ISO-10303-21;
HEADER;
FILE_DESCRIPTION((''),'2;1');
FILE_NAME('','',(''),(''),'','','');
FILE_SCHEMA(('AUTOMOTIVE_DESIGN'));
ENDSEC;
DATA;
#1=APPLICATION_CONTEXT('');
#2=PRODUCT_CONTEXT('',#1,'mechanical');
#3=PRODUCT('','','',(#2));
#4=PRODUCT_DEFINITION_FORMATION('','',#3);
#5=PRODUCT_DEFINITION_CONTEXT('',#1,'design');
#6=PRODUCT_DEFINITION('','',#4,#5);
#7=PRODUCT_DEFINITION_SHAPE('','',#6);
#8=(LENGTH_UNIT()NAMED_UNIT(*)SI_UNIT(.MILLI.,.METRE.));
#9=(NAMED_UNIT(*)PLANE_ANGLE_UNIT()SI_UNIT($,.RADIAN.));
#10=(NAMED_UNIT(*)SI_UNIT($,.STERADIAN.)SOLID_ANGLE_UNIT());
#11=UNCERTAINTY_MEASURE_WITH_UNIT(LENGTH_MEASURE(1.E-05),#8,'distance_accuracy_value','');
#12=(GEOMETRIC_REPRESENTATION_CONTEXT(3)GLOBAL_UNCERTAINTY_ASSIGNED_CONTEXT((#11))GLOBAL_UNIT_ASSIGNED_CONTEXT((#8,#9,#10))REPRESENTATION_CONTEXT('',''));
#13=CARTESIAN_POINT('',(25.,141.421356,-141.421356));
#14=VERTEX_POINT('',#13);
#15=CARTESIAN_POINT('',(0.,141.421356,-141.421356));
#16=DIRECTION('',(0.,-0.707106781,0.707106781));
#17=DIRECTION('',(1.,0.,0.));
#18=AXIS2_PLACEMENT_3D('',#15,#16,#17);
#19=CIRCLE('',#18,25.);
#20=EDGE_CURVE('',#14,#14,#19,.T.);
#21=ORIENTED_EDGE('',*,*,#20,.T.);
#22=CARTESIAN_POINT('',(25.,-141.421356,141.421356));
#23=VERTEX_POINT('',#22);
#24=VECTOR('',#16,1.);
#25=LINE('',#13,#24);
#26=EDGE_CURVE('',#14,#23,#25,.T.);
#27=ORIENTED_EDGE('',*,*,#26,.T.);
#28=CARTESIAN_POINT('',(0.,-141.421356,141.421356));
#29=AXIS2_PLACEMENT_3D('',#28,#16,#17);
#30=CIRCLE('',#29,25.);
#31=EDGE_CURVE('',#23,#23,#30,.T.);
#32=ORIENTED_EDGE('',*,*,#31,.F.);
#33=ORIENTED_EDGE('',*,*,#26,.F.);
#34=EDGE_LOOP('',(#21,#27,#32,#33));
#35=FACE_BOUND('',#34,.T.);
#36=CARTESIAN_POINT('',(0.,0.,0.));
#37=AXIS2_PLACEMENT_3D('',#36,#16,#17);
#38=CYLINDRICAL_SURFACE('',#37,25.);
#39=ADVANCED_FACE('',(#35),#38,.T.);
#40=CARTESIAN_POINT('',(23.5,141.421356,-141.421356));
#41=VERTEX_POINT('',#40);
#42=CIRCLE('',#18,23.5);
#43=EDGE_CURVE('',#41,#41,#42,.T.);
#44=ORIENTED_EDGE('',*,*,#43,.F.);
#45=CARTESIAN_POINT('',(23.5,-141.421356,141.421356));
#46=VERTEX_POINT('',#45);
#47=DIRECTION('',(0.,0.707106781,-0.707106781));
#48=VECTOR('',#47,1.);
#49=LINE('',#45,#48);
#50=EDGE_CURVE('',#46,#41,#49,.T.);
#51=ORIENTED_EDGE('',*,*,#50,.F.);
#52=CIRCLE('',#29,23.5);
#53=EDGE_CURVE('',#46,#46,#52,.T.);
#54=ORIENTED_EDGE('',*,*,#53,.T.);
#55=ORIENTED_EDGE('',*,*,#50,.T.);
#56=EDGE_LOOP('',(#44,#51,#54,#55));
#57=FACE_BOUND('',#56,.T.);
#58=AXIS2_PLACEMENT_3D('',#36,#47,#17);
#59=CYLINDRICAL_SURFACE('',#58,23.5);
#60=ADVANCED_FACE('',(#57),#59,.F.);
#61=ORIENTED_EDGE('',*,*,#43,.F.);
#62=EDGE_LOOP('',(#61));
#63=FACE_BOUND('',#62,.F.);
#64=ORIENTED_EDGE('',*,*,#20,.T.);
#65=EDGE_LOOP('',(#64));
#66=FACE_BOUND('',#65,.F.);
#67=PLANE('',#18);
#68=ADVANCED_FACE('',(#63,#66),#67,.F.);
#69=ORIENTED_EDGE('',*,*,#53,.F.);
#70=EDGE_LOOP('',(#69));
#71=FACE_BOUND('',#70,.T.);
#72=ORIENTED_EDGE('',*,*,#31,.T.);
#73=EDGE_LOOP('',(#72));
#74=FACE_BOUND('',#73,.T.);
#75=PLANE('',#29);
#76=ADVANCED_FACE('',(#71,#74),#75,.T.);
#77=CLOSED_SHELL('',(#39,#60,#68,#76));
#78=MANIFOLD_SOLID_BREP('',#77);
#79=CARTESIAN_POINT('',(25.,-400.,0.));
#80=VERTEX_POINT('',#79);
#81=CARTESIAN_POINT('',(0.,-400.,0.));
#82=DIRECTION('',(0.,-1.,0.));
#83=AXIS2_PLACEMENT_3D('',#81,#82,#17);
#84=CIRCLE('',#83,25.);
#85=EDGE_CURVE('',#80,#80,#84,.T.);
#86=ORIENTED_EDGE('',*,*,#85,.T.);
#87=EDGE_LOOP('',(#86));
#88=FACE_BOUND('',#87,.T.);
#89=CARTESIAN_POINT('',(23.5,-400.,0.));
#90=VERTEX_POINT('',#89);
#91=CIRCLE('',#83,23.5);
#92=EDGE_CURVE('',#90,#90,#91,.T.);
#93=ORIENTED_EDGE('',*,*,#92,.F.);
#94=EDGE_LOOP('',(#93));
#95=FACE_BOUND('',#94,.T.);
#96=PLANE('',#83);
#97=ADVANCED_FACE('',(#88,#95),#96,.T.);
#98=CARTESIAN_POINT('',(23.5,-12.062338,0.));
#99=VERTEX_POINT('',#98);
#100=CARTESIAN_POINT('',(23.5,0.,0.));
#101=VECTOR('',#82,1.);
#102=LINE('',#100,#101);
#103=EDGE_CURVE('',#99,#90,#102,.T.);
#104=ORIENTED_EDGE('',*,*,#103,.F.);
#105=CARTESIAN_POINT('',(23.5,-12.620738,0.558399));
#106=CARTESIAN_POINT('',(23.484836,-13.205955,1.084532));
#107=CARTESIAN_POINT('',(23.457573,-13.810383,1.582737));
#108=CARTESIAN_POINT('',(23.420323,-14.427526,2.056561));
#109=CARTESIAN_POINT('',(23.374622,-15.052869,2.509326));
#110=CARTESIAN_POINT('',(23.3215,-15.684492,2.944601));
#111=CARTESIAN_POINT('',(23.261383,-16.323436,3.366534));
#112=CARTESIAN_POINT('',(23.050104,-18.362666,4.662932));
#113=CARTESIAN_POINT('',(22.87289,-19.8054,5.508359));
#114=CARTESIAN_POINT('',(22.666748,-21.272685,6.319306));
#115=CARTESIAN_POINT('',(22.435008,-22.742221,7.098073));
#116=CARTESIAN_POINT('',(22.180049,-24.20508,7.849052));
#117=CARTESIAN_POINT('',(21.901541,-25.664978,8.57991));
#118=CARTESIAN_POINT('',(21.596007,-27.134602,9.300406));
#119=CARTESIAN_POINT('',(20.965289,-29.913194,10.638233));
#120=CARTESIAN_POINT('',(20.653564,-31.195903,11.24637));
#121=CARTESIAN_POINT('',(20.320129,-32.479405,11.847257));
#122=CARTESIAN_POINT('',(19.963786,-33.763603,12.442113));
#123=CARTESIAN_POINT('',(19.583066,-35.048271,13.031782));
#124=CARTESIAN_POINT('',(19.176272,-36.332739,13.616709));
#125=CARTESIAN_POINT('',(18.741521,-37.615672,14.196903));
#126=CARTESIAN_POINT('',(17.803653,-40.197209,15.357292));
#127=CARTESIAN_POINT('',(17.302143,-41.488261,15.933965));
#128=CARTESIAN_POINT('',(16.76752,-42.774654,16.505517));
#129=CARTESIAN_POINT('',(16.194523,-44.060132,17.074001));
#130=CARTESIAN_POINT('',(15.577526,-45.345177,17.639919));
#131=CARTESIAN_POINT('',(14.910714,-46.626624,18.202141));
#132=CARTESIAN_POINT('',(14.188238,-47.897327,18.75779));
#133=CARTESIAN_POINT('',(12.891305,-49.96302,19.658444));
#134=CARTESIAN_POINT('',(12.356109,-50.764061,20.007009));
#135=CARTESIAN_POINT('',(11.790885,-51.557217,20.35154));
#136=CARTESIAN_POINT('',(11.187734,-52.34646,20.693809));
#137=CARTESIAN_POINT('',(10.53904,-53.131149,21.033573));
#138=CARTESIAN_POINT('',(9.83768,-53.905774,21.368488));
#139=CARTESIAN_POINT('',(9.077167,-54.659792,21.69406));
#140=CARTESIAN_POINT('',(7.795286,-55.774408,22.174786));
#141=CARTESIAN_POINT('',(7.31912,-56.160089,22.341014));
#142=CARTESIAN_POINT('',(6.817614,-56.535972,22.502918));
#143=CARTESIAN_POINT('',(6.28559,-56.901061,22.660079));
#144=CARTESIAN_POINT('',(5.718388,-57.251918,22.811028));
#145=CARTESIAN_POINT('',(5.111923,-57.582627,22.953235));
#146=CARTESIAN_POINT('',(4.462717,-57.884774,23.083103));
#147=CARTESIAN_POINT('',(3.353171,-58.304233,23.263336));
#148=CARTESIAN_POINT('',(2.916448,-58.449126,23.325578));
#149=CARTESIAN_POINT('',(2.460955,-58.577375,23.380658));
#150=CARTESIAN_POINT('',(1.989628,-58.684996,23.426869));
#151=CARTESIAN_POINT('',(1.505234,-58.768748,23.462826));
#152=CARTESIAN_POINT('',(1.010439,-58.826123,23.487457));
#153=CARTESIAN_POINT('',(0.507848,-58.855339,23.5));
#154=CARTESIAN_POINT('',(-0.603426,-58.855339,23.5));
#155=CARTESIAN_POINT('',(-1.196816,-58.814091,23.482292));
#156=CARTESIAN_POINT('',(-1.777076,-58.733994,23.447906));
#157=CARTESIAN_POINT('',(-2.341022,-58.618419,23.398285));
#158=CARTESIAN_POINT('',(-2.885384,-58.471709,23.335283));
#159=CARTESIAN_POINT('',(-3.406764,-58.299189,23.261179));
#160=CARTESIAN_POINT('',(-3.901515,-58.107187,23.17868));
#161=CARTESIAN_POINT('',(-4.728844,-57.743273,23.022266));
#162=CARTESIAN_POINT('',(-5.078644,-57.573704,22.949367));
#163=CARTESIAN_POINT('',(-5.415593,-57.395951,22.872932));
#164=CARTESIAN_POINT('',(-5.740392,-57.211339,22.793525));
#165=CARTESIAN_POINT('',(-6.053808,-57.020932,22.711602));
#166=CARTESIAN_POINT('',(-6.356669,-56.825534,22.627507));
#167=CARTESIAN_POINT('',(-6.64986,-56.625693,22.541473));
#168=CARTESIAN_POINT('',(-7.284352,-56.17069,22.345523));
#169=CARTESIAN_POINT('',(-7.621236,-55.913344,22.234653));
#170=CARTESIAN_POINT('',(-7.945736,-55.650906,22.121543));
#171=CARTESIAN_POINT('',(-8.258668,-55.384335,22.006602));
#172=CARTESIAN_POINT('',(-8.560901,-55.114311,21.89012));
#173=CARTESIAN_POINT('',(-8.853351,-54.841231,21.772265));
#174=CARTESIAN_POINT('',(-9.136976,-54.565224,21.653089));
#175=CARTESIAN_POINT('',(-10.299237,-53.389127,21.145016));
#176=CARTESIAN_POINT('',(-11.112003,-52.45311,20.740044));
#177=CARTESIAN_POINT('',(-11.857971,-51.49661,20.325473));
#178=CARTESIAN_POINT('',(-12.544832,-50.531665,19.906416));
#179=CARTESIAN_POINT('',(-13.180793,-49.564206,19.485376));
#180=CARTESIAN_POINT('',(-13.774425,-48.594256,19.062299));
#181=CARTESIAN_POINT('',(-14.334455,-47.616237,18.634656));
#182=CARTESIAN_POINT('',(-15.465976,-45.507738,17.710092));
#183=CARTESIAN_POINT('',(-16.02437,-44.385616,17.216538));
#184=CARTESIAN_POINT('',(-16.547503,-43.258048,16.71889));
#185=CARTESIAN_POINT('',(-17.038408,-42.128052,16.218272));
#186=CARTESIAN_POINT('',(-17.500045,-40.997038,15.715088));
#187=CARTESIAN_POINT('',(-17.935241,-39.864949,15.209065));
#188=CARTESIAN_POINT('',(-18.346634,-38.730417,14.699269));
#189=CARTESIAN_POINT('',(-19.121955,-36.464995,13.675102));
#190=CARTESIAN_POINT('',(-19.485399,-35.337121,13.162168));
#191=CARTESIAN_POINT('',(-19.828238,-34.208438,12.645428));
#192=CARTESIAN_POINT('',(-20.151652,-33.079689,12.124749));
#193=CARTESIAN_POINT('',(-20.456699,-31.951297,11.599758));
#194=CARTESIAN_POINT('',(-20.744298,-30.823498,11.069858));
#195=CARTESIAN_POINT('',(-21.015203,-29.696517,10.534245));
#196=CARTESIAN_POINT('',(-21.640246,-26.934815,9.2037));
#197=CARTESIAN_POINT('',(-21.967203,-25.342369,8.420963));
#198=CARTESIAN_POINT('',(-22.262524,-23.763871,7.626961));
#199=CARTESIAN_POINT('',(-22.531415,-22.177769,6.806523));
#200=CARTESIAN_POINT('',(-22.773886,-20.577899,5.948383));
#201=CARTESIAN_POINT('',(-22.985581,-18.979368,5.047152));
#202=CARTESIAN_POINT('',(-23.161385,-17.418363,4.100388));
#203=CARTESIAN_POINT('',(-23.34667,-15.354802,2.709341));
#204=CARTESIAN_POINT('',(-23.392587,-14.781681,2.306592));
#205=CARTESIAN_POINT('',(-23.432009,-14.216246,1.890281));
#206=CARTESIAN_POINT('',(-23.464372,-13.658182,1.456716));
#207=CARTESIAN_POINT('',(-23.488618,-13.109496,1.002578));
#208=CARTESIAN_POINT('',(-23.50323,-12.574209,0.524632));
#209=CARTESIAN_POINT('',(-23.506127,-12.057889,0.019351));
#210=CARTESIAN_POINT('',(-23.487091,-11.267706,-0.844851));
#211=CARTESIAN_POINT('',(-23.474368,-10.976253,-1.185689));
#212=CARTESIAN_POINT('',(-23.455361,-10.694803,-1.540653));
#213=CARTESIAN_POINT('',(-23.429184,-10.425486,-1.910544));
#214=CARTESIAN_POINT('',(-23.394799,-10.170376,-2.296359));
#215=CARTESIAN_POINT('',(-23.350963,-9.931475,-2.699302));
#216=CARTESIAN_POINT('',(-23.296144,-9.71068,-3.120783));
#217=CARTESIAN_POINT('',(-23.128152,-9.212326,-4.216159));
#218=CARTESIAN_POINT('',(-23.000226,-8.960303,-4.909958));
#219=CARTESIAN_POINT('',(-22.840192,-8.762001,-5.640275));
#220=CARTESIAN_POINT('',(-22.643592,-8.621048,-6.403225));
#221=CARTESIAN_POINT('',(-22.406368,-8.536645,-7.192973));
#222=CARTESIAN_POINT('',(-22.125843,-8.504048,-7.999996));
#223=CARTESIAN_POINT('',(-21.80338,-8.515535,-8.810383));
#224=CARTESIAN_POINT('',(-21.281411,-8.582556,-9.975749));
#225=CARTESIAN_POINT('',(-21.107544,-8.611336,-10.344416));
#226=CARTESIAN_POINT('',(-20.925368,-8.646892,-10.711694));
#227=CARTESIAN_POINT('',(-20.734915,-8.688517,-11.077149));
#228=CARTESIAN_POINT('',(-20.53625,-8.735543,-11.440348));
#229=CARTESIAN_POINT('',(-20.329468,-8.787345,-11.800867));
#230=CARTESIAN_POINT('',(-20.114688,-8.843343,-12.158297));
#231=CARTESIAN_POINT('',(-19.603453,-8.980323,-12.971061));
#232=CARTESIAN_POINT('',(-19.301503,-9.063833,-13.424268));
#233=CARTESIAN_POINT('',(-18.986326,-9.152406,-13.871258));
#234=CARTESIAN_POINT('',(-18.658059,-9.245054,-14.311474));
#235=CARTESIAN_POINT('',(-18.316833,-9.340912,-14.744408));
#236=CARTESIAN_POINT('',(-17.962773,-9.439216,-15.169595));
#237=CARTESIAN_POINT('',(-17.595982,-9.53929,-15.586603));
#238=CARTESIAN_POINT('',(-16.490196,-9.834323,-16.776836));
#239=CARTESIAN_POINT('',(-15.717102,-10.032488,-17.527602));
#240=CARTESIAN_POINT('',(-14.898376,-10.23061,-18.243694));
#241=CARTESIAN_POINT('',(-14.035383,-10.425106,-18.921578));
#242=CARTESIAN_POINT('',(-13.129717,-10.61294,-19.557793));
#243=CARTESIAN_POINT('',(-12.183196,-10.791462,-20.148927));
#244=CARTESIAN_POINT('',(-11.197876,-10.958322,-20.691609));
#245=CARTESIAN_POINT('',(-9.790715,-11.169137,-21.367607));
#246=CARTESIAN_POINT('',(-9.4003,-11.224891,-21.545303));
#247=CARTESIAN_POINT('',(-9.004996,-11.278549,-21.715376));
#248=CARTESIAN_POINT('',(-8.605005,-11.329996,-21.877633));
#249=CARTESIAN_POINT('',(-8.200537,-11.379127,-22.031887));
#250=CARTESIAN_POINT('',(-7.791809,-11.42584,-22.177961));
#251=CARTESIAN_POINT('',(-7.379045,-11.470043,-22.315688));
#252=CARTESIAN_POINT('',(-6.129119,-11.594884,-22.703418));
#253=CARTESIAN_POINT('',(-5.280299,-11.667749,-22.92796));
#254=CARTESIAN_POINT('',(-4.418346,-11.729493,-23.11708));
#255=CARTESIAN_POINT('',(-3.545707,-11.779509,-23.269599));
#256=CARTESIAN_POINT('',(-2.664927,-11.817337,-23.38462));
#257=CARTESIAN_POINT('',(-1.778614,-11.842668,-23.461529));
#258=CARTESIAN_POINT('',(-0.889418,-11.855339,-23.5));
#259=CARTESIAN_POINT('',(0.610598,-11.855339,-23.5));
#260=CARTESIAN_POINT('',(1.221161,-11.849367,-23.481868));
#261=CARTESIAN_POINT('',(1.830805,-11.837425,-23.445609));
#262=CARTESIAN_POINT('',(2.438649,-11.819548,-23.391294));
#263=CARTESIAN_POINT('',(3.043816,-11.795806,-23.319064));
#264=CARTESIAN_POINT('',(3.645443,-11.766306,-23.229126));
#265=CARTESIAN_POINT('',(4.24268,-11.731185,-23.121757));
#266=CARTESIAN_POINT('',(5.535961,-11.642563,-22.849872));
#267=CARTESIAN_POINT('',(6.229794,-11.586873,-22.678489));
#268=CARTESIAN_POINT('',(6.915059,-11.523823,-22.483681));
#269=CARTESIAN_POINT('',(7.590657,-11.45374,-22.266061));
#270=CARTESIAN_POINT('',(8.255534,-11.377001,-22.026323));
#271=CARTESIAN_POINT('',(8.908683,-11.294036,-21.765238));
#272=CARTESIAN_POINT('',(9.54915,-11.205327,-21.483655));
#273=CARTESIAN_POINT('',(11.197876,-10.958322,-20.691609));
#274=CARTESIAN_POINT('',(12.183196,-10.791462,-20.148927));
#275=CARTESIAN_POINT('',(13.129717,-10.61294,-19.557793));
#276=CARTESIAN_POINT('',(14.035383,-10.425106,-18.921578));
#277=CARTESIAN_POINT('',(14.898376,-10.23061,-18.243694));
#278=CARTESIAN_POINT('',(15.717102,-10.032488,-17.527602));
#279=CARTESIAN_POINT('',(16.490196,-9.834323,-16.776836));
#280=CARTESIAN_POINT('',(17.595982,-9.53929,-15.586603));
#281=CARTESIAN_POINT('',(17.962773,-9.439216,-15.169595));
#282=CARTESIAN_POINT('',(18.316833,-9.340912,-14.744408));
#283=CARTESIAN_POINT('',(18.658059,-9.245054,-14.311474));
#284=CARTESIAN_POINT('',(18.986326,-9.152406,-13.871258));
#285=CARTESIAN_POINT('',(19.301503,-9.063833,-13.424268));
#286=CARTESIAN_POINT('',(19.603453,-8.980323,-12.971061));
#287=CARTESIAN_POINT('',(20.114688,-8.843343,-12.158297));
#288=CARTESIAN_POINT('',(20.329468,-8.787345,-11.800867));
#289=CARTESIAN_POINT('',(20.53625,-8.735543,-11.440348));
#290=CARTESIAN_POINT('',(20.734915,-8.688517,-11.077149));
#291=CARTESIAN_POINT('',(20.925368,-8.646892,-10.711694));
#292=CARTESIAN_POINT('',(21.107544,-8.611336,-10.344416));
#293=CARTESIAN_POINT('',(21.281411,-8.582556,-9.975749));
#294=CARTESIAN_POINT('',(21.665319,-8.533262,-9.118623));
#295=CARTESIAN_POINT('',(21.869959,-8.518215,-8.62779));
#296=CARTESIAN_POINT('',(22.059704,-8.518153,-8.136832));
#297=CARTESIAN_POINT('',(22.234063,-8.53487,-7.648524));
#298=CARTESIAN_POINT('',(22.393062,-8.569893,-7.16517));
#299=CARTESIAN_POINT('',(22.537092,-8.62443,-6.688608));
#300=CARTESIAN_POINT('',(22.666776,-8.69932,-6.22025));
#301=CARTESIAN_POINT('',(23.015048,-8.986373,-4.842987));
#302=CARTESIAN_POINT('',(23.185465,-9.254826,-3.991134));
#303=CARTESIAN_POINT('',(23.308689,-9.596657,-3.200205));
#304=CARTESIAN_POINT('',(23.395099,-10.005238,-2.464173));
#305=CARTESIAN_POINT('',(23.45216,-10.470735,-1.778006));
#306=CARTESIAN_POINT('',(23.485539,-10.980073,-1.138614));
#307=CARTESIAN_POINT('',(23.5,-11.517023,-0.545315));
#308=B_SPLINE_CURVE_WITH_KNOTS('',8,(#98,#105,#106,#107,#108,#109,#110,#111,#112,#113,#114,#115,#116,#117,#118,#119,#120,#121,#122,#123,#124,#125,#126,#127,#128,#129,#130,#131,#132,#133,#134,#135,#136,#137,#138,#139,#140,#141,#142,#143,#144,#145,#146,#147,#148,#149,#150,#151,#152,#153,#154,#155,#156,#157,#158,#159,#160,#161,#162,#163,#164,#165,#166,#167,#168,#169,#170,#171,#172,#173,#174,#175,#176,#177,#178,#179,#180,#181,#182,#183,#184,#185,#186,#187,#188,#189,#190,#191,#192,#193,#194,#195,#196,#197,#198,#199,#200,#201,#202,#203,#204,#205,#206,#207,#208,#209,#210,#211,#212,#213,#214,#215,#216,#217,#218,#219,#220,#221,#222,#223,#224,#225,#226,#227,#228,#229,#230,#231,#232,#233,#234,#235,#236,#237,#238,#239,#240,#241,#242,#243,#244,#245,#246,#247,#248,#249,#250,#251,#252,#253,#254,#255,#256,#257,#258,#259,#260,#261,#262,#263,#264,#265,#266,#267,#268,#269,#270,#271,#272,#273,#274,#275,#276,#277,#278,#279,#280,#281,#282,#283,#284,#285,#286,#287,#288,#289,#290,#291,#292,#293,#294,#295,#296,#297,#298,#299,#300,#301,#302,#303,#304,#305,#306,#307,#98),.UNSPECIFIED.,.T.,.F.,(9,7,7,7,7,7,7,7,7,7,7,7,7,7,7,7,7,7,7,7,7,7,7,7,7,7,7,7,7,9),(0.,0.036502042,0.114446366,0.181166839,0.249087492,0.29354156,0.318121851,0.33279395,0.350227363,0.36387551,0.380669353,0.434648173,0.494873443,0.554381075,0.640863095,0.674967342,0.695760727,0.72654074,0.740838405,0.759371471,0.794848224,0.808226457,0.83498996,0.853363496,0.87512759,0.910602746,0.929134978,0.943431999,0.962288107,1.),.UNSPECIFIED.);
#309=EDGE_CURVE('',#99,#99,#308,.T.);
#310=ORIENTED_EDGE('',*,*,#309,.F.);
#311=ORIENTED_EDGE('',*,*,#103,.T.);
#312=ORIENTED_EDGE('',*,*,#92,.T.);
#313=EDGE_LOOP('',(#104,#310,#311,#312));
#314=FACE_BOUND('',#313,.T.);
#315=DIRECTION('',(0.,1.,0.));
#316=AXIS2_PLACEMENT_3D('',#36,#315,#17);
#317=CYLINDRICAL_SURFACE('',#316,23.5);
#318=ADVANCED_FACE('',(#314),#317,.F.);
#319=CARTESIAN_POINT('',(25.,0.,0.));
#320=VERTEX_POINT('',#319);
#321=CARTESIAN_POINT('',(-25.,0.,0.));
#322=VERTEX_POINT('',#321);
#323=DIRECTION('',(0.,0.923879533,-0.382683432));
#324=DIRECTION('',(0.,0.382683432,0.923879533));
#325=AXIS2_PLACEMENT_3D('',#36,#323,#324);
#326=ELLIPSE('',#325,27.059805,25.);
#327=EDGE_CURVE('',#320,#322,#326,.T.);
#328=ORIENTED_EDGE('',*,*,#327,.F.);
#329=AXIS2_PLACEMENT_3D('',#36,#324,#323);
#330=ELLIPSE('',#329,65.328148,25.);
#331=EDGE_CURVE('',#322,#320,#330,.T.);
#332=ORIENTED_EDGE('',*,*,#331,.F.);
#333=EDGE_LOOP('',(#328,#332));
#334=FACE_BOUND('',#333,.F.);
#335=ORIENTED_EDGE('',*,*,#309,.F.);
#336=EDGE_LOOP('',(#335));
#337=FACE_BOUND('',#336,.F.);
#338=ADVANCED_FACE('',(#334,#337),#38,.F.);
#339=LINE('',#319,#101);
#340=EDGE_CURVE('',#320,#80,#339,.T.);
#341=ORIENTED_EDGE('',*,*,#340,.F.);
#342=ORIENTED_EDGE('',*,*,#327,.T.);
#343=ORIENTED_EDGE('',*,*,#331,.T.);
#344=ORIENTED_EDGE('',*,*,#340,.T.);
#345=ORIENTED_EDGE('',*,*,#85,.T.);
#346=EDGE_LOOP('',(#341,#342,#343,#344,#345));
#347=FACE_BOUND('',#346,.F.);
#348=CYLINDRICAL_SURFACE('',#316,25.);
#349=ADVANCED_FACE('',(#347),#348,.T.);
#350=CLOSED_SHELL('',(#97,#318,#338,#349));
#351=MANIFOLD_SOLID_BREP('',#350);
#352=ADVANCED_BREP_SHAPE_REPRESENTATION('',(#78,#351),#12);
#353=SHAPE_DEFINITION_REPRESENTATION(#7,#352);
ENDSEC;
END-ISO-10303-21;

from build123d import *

# Parameters (mm, degrees)
F0_R     = 25
F0_R_2   = 23.5
F1_DEPTH = 400
F3_R     = 25
F3_R_2   = 23.5
F4_DEPTH = 100
F5_DEPTH = 200


with BuildPart() as f1:
    # F0 (on Front) → F1 (new body)
    with BuildSketch(Plane.XZ):
        Circle(F0_R)
        Circle(F0_R_2, mode=Mode.SUBTRACT)
    extrude(amount=F1_DEPTH)

    # F3 (on face) → F4 (cut, symmetric)
    with BuildSketch(Plane(origin=(0, 0, 0), x_dir=(1, 0, 0), z_dir=(0, -0.707107, 0.707107))):
        Circle(F3_R)
        Circle(F3_R_2, mode=Mode.SUBTRACT)
        Circle(F3_R_2)
    extrude(amount=F4_DEPTH, both=True, mode=Mode.SUBTRACT)


with BuildPart() as f5:
    # F3 (on face) → F5 (new body, symmetric)
    with BuildSketch(Plane(origin=(0, 0, 0), x_dir=(1, 0, 0), z_dir=(0, -0.707107, 0.707107))):
        Circle(F3_R)
        Circle(F3_R_2, mode=Mode.SUBTRACT)
    extrude(amount=F5_DEPTH, both=True)


solid = Compound([f1.part, f5.part])
